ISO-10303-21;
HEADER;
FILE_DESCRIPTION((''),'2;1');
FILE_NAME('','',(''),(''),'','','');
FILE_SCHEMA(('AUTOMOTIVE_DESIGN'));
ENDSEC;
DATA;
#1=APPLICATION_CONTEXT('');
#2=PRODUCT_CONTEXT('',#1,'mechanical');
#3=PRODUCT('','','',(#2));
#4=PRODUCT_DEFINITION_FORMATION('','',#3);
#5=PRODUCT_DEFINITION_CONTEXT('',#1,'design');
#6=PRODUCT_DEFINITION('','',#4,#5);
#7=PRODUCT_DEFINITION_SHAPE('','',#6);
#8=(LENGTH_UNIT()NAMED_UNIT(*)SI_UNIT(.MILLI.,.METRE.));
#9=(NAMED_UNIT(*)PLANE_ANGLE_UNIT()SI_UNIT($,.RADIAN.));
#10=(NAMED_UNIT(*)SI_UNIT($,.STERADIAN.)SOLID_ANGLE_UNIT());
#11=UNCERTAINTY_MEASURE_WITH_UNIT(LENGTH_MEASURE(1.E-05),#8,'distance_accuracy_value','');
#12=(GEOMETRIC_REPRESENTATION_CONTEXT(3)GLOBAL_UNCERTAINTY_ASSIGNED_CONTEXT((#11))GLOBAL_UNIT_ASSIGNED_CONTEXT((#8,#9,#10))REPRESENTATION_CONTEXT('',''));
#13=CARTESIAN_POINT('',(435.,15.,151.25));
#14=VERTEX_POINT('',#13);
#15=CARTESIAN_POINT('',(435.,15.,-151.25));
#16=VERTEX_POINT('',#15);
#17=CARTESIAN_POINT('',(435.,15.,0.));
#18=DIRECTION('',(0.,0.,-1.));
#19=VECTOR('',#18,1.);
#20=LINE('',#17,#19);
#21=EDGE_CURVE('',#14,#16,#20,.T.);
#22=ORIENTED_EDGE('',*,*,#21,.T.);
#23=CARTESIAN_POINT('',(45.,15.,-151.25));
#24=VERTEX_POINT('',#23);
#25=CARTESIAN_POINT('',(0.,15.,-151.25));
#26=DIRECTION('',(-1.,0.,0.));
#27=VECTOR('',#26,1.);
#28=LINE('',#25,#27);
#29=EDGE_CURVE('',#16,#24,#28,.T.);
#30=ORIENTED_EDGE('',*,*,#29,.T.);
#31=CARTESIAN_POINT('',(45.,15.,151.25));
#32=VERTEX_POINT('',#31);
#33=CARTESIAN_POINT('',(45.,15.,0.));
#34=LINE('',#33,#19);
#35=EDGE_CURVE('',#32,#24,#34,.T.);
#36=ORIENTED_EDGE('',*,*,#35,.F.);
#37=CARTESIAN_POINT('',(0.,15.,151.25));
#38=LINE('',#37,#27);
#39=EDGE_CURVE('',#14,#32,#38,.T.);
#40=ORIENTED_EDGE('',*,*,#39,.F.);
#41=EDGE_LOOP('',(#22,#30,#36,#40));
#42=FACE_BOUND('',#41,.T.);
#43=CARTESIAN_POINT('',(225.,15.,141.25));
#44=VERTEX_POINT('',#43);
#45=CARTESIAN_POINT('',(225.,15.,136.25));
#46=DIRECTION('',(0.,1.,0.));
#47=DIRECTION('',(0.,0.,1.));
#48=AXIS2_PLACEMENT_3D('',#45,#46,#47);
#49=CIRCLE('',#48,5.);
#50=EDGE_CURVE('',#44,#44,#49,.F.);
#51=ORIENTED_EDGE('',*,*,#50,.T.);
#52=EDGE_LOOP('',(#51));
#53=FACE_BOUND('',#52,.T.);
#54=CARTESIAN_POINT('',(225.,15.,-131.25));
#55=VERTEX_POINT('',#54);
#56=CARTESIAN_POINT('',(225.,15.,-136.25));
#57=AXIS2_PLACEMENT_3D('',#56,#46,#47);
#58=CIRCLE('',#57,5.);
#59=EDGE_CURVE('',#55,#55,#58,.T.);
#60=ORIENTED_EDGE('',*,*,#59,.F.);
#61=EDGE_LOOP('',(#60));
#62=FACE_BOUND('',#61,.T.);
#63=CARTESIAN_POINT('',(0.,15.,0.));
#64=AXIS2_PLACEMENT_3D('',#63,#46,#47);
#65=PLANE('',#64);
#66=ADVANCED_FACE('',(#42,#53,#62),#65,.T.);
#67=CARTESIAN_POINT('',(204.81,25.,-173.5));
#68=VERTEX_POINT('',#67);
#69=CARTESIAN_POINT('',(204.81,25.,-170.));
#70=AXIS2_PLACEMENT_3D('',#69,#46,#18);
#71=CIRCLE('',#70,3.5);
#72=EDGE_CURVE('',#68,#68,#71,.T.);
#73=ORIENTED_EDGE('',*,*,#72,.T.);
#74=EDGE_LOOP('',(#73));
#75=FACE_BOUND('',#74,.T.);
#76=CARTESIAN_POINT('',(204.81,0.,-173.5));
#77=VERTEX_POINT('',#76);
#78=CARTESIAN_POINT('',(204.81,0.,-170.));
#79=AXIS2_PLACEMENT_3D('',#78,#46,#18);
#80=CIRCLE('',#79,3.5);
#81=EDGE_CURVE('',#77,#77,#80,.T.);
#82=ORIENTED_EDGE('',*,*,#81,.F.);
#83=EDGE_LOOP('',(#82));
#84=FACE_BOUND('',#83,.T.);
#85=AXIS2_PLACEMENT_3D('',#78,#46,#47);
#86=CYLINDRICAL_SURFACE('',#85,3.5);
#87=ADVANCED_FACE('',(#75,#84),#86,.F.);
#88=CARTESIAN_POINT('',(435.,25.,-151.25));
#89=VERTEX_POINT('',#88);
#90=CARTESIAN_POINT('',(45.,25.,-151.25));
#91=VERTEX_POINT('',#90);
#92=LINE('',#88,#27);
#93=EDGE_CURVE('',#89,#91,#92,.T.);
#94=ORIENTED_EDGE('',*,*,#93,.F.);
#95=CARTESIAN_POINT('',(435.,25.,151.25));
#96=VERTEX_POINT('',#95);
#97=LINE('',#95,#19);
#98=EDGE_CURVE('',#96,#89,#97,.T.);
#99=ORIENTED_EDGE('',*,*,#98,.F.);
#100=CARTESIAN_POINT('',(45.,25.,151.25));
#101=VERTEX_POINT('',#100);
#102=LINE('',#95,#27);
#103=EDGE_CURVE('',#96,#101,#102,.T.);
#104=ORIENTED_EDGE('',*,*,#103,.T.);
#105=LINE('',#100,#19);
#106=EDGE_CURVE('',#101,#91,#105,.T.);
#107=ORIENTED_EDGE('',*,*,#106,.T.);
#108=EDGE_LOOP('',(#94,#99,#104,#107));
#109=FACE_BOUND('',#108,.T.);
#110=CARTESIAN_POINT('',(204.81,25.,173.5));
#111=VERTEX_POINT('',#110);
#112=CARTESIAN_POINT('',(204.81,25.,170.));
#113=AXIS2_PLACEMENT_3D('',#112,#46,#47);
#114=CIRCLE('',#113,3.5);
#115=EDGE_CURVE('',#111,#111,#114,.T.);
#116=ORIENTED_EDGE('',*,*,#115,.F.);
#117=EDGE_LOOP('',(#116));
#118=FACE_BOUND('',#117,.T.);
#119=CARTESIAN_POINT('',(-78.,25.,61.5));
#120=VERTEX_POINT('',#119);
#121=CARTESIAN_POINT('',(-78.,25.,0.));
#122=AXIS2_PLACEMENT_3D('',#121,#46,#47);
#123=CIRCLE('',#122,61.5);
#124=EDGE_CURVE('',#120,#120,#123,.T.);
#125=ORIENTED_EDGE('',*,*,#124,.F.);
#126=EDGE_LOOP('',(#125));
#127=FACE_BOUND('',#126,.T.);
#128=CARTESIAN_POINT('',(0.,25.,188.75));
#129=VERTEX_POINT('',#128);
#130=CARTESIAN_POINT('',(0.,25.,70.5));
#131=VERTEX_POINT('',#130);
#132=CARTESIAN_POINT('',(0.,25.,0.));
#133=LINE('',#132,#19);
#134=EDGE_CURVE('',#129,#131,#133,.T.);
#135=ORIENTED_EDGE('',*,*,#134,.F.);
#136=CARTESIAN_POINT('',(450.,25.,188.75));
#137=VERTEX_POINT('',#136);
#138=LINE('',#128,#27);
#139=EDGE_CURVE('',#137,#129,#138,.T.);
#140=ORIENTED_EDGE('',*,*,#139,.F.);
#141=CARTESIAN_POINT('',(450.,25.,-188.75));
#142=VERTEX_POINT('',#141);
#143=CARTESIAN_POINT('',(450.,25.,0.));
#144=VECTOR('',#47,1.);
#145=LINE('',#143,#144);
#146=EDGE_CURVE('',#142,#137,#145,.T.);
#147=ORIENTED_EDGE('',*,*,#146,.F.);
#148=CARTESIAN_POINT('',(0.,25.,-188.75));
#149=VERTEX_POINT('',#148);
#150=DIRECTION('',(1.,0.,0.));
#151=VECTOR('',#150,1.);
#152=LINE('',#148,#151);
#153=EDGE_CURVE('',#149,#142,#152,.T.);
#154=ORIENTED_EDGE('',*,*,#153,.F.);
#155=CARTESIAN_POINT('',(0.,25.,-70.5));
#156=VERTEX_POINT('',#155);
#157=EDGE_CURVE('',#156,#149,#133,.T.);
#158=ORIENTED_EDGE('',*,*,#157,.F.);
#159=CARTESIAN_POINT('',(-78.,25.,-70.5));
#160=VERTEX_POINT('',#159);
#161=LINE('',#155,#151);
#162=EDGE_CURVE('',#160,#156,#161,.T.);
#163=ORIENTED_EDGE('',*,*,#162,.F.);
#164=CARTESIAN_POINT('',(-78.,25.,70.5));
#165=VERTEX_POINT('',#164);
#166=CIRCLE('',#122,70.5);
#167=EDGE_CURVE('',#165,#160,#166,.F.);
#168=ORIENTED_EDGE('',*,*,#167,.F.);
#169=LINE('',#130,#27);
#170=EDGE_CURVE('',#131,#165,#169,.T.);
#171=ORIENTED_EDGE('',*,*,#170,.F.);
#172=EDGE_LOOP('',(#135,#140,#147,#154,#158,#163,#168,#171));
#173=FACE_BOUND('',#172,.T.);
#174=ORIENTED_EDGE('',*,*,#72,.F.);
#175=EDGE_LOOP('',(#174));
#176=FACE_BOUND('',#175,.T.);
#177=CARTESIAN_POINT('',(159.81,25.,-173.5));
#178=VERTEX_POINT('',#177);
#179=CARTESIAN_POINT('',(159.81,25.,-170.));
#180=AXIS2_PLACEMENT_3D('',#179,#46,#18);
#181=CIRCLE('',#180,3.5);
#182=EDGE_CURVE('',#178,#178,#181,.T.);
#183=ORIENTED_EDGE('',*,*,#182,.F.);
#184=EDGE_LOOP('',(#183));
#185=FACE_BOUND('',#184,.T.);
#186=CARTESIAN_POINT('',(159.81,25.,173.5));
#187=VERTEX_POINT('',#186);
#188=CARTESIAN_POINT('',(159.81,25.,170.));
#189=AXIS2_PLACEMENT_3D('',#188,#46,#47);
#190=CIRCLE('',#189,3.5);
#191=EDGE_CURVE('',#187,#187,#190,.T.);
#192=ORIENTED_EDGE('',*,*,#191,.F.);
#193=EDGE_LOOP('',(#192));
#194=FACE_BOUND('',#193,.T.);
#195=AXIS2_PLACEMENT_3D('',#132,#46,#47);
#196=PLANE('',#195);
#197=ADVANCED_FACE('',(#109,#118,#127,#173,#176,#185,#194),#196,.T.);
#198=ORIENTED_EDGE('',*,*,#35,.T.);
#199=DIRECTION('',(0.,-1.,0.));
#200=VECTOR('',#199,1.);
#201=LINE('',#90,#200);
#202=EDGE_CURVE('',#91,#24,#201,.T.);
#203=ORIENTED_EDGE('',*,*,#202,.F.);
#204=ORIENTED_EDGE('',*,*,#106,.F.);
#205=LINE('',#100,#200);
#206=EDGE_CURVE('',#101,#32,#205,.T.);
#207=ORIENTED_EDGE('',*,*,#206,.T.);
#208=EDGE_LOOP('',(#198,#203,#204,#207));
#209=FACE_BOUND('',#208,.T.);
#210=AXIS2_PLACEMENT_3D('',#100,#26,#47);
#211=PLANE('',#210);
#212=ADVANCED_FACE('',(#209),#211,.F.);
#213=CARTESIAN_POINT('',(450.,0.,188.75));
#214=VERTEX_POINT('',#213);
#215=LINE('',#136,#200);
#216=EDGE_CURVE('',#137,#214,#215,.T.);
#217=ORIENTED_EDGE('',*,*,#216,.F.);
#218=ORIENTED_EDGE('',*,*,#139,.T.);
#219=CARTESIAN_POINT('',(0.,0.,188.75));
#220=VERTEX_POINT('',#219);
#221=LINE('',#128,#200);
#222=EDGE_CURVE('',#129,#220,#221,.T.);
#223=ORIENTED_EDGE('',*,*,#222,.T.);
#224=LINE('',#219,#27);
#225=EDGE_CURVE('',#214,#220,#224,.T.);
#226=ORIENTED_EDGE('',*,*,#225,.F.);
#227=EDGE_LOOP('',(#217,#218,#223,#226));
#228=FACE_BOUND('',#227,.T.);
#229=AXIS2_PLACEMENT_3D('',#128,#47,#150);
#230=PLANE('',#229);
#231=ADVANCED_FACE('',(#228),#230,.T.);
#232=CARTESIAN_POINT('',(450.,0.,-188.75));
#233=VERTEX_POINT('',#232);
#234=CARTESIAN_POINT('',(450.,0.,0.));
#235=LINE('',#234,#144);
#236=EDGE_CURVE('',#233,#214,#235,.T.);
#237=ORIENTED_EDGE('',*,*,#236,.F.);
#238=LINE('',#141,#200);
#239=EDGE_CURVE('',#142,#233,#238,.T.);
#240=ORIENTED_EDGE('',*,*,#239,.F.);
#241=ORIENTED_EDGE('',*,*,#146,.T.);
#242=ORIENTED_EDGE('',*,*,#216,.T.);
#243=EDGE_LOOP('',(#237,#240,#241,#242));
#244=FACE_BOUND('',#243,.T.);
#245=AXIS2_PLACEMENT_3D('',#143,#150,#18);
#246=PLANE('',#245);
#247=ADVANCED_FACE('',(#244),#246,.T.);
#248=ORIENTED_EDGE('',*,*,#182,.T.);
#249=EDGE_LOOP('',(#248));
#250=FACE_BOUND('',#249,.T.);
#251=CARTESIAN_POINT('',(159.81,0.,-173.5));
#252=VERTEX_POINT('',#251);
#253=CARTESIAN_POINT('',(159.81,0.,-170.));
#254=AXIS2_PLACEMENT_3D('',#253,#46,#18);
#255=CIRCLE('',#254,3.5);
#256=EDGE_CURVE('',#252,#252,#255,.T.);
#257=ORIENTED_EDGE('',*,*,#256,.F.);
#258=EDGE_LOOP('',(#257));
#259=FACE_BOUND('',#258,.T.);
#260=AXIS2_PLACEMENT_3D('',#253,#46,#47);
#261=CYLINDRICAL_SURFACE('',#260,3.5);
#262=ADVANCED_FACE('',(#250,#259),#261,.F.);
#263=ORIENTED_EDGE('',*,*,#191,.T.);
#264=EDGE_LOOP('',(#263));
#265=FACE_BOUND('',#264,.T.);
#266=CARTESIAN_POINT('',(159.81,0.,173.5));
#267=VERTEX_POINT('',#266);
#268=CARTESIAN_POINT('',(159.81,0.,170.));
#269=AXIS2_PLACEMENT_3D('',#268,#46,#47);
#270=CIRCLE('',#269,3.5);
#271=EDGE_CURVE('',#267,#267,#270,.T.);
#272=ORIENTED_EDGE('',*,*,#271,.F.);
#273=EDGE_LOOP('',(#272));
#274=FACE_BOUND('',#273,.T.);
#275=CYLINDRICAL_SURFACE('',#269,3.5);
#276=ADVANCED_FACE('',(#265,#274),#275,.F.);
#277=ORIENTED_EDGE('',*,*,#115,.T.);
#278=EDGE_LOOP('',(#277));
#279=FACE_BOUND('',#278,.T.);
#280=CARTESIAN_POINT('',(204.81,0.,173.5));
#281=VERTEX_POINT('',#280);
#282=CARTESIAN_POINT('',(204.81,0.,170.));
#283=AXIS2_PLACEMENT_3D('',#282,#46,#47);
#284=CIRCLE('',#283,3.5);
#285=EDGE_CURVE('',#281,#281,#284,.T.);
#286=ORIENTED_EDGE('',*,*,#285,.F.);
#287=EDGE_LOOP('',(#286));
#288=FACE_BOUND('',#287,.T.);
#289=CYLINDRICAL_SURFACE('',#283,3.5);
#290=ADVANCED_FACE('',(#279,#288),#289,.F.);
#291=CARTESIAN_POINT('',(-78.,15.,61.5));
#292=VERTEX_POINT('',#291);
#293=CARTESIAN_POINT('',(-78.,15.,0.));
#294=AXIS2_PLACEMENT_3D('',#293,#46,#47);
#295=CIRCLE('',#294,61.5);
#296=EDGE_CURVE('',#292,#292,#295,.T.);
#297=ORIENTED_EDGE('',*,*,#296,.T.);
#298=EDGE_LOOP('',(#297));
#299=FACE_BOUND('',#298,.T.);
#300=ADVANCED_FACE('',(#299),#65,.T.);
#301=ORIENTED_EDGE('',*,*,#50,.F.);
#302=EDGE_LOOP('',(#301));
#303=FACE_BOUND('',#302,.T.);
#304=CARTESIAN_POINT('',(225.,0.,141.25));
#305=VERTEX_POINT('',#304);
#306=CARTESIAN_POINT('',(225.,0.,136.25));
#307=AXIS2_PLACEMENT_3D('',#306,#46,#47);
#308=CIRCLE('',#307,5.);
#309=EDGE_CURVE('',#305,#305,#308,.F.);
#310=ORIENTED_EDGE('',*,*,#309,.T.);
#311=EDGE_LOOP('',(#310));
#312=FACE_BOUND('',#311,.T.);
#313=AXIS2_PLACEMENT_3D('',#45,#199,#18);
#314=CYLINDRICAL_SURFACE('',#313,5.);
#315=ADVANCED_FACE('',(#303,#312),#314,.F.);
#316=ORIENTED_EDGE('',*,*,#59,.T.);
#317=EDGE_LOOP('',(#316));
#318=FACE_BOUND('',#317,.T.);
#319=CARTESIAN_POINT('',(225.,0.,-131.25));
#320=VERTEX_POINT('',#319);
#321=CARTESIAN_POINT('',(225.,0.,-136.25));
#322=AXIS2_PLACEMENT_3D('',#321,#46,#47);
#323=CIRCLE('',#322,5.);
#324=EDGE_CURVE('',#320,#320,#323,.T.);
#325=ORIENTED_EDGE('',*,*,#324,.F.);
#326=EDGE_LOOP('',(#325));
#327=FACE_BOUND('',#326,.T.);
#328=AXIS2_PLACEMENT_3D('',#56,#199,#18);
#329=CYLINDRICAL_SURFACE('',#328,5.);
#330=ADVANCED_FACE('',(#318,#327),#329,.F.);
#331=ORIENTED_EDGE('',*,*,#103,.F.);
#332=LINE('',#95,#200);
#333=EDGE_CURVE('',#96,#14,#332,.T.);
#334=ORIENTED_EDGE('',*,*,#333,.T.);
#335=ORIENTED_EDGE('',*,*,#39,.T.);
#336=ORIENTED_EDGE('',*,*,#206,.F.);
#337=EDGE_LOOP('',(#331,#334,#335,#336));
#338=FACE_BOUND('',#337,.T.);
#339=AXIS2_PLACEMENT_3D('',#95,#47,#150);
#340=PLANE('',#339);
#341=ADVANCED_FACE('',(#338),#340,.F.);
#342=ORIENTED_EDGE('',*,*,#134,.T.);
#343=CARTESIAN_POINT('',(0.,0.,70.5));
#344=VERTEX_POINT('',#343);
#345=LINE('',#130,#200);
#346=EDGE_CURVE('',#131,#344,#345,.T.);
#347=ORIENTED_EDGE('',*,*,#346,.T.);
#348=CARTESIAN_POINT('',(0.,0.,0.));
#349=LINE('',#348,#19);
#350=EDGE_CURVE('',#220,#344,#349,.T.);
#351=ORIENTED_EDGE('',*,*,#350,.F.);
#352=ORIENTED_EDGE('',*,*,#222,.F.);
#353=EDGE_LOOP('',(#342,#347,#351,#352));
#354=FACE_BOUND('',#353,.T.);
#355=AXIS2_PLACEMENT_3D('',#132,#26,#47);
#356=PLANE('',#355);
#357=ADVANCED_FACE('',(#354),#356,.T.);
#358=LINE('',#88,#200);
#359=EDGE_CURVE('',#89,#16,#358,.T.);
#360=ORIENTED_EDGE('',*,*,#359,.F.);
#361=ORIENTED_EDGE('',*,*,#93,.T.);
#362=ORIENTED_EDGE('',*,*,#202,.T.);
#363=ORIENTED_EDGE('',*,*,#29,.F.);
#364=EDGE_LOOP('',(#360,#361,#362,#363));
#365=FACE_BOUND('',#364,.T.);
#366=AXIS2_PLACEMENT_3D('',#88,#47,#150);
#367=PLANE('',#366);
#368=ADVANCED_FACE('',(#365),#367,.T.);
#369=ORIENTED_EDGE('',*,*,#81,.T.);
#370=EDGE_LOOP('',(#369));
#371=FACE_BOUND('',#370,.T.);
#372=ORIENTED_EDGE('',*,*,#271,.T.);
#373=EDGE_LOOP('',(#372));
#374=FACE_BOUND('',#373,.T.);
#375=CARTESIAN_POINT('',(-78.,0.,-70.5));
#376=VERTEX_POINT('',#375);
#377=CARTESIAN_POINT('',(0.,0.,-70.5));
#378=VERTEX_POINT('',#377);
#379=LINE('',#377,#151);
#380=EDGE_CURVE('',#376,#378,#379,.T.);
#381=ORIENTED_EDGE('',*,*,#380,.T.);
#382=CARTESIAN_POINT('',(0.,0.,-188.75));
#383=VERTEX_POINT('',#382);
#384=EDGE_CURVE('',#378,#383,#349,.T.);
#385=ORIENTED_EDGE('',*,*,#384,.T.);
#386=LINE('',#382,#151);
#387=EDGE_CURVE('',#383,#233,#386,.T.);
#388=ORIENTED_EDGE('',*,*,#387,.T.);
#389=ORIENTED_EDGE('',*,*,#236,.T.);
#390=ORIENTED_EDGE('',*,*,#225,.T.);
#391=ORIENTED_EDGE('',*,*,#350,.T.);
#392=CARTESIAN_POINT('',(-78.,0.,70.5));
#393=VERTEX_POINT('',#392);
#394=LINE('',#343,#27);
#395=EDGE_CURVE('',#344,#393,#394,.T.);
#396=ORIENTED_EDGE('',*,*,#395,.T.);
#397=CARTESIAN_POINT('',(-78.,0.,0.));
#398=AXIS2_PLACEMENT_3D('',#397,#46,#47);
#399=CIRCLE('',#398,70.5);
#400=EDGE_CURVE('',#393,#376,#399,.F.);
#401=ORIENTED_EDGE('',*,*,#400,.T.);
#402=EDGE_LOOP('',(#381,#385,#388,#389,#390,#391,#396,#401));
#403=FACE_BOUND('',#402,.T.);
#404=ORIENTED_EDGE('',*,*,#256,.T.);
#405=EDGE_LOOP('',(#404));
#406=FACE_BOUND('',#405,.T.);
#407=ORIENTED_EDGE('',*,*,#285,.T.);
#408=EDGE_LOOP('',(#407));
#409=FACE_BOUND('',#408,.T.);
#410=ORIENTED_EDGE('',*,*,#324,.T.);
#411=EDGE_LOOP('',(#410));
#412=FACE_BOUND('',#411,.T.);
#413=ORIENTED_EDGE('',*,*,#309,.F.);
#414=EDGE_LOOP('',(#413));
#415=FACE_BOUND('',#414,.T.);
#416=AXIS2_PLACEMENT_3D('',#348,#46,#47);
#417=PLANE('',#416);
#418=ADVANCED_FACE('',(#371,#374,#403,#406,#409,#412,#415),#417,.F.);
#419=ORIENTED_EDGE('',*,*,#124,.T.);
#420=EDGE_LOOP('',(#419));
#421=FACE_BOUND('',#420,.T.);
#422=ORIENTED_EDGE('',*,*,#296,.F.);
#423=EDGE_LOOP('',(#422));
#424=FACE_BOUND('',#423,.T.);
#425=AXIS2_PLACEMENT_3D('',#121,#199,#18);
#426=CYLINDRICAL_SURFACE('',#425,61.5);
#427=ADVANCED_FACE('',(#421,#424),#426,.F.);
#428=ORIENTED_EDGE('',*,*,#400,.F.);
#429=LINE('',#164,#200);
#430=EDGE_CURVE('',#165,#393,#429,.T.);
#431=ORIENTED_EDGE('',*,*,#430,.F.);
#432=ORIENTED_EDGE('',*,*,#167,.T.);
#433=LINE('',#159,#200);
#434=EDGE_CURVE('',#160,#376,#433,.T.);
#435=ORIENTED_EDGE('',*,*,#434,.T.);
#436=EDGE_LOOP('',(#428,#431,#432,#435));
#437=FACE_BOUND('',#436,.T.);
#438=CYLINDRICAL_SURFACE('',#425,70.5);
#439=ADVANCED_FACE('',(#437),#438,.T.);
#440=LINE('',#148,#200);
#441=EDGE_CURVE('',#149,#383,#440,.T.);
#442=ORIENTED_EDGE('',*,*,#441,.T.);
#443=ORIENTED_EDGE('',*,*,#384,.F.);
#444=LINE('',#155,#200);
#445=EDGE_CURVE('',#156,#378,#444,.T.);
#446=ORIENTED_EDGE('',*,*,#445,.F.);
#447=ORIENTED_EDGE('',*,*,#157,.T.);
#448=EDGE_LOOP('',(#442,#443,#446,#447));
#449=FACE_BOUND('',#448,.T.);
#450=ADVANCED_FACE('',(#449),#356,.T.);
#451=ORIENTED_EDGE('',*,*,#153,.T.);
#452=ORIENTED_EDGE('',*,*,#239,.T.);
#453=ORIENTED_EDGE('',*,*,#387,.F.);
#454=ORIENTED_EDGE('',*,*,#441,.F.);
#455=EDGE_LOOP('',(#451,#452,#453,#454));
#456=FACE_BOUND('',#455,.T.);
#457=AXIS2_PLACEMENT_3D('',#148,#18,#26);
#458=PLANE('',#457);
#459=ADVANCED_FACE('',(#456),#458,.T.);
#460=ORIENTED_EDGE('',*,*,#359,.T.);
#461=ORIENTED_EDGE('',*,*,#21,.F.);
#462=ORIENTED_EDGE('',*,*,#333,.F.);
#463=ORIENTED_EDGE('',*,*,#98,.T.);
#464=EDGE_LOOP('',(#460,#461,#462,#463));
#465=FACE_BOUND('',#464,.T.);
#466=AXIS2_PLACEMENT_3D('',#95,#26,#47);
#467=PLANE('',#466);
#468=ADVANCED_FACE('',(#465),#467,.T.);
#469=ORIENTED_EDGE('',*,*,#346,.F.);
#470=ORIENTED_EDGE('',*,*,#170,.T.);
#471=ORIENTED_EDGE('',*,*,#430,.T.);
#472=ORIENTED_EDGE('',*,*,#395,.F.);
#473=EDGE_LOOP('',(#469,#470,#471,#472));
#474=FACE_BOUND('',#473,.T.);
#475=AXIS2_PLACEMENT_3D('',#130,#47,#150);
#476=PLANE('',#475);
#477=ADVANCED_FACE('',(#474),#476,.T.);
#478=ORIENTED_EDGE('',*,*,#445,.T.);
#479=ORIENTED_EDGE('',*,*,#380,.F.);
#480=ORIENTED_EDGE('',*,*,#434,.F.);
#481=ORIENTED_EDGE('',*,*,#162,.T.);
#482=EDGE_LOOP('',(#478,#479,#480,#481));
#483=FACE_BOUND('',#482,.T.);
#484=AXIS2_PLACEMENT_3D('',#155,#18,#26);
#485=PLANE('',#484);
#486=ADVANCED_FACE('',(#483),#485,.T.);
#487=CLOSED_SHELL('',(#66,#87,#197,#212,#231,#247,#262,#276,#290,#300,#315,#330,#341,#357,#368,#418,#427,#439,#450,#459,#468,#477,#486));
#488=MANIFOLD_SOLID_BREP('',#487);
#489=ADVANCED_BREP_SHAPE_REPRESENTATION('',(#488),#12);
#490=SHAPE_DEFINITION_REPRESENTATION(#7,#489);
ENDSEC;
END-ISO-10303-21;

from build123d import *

# Parameters (mm, degrees)
SKETCH1_R           = 61.5
SKETCH1_W           = 390
SKETCH1_H           = 302.5
BOSS_EXTRUDE1_DEPTH = 25
SKETCH1_4_W         = 390
SKETCH1_4_H         = 302.5
SKETCH1_4_R         = 5
SKETCH1_4_R_2       = 61.5
BOSS_EXTRUDE2_DEPTH = 15
SKETCH3_R           = 3.5
CUT_EXTRUDE1_DEPTH  = 26


with BuildPart() as part:
    # Sketch1 → Boss-Extrude1 (new body)
    with BuildSketch(Plane(origin=(0, 0, 0), x_dir=(1, 0, 0), z_dir=(0, 1, 0))):
        with BuildLine():
            Line((0, 188.75), (450, 188.75))
            Line((450, 188.75), (450, -188.75))
            Line((450, -188.75), (0, -188.75))
            Line((0, -188.75), (0, -70.5))
            Line((0, -70.5), (-78, -70.5))
            ThreePointArc((-78, -70.5), (-148.5, 0), (-78, 70.5))
            Line((-78, 70.5), (0, 70.5))
            Line((0, 70.5), (0, 188.75))
        make_face()
        with Locations((-78, 0)):
            Circle(SKETCH1_R, mode=Mode.SUBTRACT)
        with Locations((240, 0)):
            Rectangle(SKETCH1_W, SKETCH1_H, mode=Mode.SUBTRACT)
    extrude(amount=BOSS_EXTRUDE1_DEPTH)

    # Sketch1<4> → Boss-Extrude2 (add)
    with BuildSketch(Plane(origin=(0, 0, 0), x_dir=(1, 0, 0), z_dir=(0, 1, 0))):
        with Locations((240, 0)):
            Rectangle(SKETCH1_4_W, SKETCH1_4_H)
        with Locations((225, 136.25)):
            Circle(SKETCH1_4_R, mode=Mode.SUBTRACT)
        with Locations((225, -136.25)):
            Circle(SKETCH1_4_R, mode=Mode.SUBTRACT)
        with Locations((-78, 0)):
            Circle(SKETCH1_4_R_2)
    extrude(amount=BOSS_EXTRUDE2_DEPTH)

    # Sketch3 → Cut-Extrude1 (cut, through all)
    with BuildSketch(Plane(origin=(0, 25, 0), x_dir=(1, 0, 0), z_dir=(0, 1, 0))):
        with Locations((159.81, -170)):
            Circle(SKETCH3_R)
        with Locations((204.81, -170)):
            Circle(SKETCH3_R)
        with Locations((204.81, 170)):
            Circle(SKETCH3_R)
        with Locations((159.81, 170)):
            Circle(SKETCH3_R)
    extrude(amount=-CUT_EXTRUDE1_DEPTH, mode=Mode.SUBTRACT)


solid = part.part
